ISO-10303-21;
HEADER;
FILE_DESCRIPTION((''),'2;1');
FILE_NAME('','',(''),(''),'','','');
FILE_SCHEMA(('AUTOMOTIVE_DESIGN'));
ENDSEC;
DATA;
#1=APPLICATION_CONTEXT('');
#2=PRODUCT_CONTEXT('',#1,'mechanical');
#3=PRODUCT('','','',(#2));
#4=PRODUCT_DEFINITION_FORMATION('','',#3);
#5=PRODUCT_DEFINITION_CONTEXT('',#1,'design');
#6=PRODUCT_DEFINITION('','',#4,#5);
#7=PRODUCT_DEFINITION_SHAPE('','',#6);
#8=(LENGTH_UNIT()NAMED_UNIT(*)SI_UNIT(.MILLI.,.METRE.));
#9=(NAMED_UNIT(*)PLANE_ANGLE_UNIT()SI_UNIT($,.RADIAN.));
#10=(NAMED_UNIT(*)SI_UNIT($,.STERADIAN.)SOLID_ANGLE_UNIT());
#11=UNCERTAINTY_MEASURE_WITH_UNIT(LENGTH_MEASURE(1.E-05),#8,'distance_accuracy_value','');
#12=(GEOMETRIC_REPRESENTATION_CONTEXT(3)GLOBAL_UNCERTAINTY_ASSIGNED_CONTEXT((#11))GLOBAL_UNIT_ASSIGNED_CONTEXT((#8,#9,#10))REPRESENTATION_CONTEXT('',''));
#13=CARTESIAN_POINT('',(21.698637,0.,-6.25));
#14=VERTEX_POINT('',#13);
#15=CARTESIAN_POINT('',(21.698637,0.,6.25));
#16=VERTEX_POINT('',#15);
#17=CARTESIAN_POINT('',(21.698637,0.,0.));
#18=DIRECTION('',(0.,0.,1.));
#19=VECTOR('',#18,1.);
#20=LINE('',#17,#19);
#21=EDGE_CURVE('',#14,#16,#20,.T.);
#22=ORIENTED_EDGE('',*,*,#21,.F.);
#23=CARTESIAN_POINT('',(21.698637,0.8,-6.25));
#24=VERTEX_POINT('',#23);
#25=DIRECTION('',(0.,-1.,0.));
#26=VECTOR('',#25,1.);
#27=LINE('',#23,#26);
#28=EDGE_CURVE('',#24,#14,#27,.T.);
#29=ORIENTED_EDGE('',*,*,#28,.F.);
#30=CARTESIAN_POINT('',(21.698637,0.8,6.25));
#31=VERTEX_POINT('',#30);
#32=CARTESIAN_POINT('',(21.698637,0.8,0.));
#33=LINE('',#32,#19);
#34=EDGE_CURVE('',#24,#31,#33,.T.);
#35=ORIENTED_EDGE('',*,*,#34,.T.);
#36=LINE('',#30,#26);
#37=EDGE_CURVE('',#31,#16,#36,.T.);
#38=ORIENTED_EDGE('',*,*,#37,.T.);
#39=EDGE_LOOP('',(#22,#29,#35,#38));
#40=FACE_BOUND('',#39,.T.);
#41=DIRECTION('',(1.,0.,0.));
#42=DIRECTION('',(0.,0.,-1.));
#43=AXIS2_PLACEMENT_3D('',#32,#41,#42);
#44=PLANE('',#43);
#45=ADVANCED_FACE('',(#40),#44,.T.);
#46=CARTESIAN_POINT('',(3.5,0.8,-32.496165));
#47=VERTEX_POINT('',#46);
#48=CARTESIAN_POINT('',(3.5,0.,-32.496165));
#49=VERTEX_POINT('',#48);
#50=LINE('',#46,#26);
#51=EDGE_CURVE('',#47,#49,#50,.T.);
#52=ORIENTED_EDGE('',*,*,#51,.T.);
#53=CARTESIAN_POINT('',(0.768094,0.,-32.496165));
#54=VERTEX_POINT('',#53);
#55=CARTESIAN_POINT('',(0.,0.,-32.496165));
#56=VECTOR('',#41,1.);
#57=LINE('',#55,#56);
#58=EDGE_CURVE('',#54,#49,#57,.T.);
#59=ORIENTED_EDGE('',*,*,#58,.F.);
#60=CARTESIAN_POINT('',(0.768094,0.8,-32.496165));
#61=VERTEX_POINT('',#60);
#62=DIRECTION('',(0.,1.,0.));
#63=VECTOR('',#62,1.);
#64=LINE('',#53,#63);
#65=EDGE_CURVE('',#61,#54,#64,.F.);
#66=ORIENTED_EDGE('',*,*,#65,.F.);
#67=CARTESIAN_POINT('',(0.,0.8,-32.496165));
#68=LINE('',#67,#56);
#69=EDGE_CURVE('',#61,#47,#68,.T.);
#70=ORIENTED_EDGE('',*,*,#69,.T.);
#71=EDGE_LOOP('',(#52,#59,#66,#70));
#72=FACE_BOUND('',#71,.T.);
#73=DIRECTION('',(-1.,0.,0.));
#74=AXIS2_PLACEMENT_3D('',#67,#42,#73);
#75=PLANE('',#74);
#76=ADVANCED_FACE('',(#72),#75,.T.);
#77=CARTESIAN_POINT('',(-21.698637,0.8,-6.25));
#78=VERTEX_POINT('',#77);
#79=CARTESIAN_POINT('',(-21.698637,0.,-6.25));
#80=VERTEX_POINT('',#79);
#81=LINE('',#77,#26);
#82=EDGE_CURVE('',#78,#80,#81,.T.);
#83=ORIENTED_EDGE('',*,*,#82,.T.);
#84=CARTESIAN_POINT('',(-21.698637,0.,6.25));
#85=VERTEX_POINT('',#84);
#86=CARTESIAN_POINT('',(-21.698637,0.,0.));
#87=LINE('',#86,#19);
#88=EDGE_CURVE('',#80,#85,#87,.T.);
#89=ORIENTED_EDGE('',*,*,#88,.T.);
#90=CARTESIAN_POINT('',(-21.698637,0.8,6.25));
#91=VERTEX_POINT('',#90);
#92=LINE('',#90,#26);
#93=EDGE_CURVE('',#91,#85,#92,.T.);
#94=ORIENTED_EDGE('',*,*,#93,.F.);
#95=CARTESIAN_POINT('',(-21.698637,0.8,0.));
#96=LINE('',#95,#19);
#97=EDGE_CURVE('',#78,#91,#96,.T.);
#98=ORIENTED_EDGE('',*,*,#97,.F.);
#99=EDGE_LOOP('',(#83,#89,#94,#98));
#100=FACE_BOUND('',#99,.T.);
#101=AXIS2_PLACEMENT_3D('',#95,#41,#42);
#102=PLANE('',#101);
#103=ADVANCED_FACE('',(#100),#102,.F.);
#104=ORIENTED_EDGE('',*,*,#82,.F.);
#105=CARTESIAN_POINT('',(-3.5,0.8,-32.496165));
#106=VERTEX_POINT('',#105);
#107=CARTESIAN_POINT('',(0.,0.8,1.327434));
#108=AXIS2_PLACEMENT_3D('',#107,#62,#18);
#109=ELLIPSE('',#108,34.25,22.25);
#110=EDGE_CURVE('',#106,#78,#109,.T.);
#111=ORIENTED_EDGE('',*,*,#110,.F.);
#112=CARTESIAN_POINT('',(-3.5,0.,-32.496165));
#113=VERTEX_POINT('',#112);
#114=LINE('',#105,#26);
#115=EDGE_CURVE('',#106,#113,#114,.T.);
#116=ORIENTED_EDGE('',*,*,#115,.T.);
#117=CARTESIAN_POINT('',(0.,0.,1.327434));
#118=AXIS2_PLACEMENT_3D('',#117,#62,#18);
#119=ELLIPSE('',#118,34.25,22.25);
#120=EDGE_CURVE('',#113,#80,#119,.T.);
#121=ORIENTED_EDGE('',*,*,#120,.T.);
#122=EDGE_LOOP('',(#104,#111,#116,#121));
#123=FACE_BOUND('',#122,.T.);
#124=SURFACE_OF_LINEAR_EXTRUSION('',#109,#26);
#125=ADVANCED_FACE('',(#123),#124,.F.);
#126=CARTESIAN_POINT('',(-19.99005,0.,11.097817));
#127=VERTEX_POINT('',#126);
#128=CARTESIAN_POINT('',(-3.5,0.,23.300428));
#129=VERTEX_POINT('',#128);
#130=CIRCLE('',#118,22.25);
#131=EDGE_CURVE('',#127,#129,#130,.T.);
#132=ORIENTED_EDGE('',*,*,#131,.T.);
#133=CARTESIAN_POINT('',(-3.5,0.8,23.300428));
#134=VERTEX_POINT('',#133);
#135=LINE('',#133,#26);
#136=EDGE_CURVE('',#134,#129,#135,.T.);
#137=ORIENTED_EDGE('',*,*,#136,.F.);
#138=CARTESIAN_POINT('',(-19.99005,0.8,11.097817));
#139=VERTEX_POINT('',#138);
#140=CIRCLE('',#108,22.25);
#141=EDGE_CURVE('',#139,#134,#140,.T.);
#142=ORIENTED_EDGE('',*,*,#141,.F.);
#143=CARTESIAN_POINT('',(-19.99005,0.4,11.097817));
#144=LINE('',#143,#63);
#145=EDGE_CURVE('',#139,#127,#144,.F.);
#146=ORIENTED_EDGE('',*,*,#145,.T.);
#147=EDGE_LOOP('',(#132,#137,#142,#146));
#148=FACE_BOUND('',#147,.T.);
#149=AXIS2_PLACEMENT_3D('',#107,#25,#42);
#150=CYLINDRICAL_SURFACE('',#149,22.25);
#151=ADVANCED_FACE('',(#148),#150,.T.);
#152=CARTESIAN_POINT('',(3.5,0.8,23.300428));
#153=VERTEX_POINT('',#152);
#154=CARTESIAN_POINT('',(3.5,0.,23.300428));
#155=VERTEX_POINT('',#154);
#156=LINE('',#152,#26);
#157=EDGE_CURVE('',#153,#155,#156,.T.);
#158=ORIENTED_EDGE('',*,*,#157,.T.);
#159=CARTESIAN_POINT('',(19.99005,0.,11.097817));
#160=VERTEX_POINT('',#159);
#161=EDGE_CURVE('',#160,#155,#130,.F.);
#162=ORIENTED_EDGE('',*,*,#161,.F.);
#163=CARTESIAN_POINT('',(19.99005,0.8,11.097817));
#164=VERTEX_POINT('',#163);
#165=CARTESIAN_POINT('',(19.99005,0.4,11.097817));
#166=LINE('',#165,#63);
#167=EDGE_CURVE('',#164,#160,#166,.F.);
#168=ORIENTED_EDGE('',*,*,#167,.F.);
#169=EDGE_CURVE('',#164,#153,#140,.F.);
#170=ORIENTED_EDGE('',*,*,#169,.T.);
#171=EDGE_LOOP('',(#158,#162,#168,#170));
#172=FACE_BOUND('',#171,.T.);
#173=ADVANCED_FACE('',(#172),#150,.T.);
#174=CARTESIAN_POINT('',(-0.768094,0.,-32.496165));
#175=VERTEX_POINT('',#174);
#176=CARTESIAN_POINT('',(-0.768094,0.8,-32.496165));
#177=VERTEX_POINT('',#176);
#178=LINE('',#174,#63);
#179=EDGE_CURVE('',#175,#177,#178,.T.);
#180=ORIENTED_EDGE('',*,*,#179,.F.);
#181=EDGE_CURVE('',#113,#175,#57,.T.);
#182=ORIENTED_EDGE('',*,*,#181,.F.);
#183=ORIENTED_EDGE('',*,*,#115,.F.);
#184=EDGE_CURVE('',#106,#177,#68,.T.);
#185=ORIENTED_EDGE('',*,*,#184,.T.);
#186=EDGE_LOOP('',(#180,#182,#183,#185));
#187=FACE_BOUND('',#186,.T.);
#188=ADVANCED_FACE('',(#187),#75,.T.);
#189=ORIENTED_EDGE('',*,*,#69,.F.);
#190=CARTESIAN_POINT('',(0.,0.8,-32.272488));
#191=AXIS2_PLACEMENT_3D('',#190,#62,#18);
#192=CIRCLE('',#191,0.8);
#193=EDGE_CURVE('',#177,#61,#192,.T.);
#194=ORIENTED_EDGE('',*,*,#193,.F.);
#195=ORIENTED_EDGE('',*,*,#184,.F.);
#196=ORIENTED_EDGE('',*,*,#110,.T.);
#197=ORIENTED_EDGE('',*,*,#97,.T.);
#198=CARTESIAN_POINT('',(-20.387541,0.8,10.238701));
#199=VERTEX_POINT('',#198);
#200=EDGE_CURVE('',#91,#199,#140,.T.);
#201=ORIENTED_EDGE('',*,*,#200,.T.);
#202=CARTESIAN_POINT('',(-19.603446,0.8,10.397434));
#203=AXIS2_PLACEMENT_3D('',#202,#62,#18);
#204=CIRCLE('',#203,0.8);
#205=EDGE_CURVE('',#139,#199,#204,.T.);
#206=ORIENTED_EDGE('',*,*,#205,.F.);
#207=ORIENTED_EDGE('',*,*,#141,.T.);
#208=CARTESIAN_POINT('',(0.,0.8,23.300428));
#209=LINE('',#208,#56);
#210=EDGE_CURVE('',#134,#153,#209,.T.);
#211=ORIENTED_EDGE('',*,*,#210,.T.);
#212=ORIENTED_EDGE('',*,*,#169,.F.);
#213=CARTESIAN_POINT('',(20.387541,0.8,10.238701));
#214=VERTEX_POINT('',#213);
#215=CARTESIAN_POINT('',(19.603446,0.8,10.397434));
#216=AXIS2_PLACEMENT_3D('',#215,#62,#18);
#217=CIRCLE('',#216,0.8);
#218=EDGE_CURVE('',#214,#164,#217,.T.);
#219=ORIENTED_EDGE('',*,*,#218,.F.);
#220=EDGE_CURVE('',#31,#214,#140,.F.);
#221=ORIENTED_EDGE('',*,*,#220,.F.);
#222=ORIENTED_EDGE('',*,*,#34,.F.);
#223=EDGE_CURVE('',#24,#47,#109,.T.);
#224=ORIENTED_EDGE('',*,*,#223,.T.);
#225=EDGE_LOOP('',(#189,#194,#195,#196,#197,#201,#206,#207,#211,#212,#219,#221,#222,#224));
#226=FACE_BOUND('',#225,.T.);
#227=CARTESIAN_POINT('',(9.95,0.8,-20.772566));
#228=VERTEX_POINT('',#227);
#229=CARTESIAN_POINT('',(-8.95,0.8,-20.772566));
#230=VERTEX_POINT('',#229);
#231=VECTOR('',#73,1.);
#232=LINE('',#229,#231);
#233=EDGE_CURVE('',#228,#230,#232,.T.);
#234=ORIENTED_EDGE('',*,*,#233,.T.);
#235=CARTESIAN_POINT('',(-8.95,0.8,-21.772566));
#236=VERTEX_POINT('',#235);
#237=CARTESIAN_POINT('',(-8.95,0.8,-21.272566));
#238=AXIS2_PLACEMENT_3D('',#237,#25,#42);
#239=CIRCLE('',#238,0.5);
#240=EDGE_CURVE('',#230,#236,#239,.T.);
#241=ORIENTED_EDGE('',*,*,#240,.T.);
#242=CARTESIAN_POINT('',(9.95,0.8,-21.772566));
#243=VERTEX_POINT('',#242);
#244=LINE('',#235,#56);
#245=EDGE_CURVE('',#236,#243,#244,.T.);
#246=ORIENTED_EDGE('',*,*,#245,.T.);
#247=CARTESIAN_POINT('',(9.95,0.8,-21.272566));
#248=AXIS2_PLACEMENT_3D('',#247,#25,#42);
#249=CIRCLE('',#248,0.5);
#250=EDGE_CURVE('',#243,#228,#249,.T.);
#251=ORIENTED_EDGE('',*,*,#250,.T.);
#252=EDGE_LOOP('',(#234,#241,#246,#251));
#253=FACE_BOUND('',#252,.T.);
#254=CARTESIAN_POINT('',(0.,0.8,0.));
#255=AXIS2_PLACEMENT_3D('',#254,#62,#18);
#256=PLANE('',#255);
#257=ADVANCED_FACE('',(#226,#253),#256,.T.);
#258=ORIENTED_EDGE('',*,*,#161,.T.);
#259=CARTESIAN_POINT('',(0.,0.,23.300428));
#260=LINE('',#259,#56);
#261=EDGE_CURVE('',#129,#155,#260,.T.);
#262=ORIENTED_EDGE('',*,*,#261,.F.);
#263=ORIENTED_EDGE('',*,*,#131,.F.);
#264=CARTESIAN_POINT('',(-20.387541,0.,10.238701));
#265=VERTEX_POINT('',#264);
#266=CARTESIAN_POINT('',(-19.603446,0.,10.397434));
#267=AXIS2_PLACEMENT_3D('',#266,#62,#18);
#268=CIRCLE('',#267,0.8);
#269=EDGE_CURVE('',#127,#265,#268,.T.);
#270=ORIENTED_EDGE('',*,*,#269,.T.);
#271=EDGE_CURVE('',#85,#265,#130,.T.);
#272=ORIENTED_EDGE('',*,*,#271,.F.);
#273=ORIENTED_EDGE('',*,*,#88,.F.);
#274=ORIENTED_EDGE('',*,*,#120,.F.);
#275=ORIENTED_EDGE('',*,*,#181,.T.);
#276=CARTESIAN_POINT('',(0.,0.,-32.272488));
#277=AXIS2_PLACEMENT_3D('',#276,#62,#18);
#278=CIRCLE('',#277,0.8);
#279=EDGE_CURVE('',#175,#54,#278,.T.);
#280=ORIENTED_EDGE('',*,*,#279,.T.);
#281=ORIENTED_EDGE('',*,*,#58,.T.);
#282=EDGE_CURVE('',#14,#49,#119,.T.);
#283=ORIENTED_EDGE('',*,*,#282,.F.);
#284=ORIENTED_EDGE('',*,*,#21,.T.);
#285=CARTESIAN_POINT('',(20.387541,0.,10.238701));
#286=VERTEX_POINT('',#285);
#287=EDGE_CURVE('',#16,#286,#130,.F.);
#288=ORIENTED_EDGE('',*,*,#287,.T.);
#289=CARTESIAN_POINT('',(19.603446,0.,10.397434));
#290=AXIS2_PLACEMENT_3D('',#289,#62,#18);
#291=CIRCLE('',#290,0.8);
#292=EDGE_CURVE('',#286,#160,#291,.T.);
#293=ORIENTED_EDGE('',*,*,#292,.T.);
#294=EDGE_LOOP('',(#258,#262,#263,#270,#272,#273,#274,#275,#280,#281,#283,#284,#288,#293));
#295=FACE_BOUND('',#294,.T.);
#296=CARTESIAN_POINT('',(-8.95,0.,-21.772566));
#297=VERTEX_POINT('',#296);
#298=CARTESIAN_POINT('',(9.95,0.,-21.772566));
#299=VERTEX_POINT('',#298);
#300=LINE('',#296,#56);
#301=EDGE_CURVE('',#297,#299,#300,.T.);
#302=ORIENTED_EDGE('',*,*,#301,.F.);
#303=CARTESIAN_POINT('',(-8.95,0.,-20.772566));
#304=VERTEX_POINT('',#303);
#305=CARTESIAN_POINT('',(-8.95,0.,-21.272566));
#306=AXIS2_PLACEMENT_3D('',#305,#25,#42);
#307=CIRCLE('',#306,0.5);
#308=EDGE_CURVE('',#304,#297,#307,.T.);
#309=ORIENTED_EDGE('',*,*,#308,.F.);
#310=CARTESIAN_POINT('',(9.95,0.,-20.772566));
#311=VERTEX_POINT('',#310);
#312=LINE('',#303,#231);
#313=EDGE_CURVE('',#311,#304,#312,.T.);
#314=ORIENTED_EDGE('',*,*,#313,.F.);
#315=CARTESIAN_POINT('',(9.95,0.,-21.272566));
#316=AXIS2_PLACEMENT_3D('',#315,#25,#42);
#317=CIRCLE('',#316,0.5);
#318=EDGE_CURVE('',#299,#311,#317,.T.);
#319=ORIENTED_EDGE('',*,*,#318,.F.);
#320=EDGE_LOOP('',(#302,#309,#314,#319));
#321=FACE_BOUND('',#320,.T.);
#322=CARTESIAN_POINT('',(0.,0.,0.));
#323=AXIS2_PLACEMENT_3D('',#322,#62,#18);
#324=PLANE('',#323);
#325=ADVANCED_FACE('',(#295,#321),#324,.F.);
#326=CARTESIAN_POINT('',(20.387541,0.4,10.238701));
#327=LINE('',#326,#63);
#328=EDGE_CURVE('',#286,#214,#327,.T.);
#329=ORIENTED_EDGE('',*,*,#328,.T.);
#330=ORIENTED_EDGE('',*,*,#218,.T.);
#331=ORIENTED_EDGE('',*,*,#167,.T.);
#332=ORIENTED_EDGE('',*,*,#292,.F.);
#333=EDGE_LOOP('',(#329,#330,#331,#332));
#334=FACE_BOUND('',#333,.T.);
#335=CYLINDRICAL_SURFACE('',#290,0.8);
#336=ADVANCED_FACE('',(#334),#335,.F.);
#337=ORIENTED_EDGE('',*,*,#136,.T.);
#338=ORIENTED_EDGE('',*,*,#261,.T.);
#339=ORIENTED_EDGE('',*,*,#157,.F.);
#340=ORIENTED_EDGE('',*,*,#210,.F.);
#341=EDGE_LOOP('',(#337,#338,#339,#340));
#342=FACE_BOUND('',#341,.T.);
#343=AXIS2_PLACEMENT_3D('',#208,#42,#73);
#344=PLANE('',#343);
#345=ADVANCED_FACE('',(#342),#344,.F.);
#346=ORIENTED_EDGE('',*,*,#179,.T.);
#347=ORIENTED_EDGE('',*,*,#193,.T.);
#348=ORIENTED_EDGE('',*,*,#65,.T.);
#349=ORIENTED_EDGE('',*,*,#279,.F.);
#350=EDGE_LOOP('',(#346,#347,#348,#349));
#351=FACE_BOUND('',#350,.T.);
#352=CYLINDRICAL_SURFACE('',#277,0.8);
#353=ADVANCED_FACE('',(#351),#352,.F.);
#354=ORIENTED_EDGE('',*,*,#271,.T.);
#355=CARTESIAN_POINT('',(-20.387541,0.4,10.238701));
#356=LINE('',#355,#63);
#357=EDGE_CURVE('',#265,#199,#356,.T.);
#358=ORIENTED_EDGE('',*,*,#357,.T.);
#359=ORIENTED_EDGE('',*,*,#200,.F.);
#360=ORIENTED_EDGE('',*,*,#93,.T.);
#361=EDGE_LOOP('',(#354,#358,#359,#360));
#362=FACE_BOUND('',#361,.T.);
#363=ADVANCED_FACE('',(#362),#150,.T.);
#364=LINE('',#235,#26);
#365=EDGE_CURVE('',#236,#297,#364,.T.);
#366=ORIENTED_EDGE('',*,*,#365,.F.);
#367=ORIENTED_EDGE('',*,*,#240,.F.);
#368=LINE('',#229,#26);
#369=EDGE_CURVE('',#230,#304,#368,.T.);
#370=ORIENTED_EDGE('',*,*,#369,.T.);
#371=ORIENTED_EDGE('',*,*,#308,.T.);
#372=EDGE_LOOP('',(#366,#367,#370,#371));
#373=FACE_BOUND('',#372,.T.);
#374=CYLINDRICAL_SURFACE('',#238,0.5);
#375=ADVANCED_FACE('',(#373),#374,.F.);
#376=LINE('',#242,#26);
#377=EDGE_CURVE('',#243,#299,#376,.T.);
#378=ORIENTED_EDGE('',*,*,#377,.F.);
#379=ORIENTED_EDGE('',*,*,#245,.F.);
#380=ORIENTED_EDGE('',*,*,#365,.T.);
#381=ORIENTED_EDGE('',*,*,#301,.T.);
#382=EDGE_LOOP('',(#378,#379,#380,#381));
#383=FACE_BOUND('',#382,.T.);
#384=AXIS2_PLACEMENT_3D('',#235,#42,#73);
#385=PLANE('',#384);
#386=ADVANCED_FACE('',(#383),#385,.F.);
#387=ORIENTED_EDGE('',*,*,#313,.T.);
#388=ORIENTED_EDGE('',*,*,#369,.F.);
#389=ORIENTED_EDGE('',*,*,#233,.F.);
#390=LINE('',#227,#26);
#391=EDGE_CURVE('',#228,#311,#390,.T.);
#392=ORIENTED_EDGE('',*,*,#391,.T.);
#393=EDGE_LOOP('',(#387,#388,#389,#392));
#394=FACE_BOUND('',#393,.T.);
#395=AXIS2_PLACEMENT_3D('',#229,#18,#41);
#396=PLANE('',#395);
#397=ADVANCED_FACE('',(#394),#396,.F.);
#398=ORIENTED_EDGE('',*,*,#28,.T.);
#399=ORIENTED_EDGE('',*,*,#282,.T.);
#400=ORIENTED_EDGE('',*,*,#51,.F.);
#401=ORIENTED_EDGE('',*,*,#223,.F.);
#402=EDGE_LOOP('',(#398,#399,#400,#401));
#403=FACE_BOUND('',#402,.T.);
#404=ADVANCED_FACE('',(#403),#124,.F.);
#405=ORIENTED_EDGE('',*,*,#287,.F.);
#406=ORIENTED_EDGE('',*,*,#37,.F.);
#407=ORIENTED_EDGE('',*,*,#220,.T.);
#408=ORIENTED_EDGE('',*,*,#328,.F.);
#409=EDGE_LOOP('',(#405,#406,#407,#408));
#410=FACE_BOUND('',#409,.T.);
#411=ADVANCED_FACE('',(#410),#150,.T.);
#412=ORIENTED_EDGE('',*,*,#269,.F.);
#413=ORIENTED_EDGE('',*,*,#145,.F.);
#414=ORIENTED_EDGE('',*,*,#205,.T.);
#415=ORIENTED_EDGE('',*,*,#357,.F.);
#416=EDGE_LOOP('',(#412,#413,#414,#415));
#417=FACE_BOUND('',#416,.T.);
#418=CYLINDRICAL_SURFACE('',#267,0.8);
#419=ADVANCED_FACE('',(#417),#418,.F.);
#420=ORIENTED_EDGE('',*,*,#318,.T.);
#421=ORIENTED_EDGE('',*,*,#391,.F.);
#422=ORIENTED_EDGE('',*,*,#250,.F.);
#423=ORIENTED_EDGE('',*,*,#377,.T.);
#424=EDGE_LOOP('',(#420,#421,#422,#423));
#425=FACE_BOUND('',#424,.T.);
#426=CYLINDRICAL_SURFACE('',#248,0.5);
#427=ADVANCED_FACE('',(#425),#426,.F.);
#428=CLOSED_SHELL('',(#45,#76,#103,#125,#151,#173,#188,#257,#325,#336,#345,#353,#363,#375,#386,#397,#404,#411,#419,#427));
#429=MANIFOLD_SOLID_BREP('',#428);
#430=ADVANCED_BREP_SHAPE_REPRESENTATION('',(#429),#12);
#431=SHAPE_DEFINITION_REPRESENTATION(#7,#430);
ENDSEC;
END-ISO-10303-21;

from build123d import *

# Parameters (mm, degrees)
BOSS_EXTRUDE1_DEPTH = 0.8
CUT_EXTRUDE1_DEPTH  = 1.8000001
SKETCH3_R           = 0.8
CUT_EXTRUDE2_DEPTH  = 1.8000001


with BuildPart() as part:
    # Sketch1 → Boss-Extrude1 (new body)
    with BuildSketch(Plane(origin=(0, 0, 0), x_dir=(1, 0, 0), z_dir=(0, 1, 0))):
        with BuildLine():
            Line((3.5, 32.496165092), (-3.5, 32.496165092))
            add(Edge.make_bspline(
                [(-3.5, 32.496165092), (-18.367827069, 28.850667185), (-21.698636831, 6.25)],
                knots=[3.299552084, 3.299552084, 3.299552084, 4.489304273, 4.489304273, 4.489304273], degree=2, weights=[1, 0.828217943, 1]))
            Line((-21.698636831, 6.25), (-21.698636831, -6.25))
            ThreePointArc((-21.698636831, -6.25), (-15.212563947, -17.564440685), (-3.5, -23.300428417))
            Line((-3.5, -23.300428417), (3.5, -23.300428417))
            ThreePointArc((3.5, -23.300428417), (15.212563947, -17.564440685), (21.698636831, -6.25))
            Line((21.698636831, -6.25), (21.698636831, 6.25))
            add(Edge.make_bspline(
                [(21.698636831, 6.25), (18.367827069, 28.850667185), (3.5, 32.496165092)],
                knots=[1.793881034, 1.793881034, 1.793881034, 2.983633223, 2.983633223, 2.983633223], degree=2, weights=[1, 0.828217943, 1]))
        make_face()
    extrude(amount=BOSS_EXTRUDE1_DEPTH)

    # Sketch2 → Cut-Extrude1 (cut, through all)
    with BuildSketch(Plane.XZ):
        with BuildLine():
            Line((-8.95, -20.772566383), (9.95, -20.772566383))
            ThreePointArc((9.95, -20.772566383), (10.45, -21.272566383), (9.95, -21.772566383))
            Line((9.95, -21.772566383), (-8.95, -21.772566383))
            ThreePointArc((-8.95, -21.772566383), (-9.45, -21.272566383), (-8.95, -20.772566383))
        make_face()
    extrude(amount=-CUT_EXTRUDE1_DEPTH, mode=Mode.SUBTRACT)

    # Sketch3 → Cut-Extrude2 (cut, through all)
    with BuildSketch(Plane(origin=(0, 0.8, 0), x_dir=(1, 0, 0), z_dir=(0, 1, 0))):
        with Locations((0, 32.272488183)):
            Circle(SKETCH3_R)
        with Locations((19.60344615, -10.397433617)):
            Circle(SKETCH3_R)
        with Locations((-19.60344615, -10.397433617)):
            Circle(SKETCH3_R)
    extrude(amount=-CUT_EXTRUDE2_DEPTH, mode=Mode.SUBTRACT)


solid = part.part
